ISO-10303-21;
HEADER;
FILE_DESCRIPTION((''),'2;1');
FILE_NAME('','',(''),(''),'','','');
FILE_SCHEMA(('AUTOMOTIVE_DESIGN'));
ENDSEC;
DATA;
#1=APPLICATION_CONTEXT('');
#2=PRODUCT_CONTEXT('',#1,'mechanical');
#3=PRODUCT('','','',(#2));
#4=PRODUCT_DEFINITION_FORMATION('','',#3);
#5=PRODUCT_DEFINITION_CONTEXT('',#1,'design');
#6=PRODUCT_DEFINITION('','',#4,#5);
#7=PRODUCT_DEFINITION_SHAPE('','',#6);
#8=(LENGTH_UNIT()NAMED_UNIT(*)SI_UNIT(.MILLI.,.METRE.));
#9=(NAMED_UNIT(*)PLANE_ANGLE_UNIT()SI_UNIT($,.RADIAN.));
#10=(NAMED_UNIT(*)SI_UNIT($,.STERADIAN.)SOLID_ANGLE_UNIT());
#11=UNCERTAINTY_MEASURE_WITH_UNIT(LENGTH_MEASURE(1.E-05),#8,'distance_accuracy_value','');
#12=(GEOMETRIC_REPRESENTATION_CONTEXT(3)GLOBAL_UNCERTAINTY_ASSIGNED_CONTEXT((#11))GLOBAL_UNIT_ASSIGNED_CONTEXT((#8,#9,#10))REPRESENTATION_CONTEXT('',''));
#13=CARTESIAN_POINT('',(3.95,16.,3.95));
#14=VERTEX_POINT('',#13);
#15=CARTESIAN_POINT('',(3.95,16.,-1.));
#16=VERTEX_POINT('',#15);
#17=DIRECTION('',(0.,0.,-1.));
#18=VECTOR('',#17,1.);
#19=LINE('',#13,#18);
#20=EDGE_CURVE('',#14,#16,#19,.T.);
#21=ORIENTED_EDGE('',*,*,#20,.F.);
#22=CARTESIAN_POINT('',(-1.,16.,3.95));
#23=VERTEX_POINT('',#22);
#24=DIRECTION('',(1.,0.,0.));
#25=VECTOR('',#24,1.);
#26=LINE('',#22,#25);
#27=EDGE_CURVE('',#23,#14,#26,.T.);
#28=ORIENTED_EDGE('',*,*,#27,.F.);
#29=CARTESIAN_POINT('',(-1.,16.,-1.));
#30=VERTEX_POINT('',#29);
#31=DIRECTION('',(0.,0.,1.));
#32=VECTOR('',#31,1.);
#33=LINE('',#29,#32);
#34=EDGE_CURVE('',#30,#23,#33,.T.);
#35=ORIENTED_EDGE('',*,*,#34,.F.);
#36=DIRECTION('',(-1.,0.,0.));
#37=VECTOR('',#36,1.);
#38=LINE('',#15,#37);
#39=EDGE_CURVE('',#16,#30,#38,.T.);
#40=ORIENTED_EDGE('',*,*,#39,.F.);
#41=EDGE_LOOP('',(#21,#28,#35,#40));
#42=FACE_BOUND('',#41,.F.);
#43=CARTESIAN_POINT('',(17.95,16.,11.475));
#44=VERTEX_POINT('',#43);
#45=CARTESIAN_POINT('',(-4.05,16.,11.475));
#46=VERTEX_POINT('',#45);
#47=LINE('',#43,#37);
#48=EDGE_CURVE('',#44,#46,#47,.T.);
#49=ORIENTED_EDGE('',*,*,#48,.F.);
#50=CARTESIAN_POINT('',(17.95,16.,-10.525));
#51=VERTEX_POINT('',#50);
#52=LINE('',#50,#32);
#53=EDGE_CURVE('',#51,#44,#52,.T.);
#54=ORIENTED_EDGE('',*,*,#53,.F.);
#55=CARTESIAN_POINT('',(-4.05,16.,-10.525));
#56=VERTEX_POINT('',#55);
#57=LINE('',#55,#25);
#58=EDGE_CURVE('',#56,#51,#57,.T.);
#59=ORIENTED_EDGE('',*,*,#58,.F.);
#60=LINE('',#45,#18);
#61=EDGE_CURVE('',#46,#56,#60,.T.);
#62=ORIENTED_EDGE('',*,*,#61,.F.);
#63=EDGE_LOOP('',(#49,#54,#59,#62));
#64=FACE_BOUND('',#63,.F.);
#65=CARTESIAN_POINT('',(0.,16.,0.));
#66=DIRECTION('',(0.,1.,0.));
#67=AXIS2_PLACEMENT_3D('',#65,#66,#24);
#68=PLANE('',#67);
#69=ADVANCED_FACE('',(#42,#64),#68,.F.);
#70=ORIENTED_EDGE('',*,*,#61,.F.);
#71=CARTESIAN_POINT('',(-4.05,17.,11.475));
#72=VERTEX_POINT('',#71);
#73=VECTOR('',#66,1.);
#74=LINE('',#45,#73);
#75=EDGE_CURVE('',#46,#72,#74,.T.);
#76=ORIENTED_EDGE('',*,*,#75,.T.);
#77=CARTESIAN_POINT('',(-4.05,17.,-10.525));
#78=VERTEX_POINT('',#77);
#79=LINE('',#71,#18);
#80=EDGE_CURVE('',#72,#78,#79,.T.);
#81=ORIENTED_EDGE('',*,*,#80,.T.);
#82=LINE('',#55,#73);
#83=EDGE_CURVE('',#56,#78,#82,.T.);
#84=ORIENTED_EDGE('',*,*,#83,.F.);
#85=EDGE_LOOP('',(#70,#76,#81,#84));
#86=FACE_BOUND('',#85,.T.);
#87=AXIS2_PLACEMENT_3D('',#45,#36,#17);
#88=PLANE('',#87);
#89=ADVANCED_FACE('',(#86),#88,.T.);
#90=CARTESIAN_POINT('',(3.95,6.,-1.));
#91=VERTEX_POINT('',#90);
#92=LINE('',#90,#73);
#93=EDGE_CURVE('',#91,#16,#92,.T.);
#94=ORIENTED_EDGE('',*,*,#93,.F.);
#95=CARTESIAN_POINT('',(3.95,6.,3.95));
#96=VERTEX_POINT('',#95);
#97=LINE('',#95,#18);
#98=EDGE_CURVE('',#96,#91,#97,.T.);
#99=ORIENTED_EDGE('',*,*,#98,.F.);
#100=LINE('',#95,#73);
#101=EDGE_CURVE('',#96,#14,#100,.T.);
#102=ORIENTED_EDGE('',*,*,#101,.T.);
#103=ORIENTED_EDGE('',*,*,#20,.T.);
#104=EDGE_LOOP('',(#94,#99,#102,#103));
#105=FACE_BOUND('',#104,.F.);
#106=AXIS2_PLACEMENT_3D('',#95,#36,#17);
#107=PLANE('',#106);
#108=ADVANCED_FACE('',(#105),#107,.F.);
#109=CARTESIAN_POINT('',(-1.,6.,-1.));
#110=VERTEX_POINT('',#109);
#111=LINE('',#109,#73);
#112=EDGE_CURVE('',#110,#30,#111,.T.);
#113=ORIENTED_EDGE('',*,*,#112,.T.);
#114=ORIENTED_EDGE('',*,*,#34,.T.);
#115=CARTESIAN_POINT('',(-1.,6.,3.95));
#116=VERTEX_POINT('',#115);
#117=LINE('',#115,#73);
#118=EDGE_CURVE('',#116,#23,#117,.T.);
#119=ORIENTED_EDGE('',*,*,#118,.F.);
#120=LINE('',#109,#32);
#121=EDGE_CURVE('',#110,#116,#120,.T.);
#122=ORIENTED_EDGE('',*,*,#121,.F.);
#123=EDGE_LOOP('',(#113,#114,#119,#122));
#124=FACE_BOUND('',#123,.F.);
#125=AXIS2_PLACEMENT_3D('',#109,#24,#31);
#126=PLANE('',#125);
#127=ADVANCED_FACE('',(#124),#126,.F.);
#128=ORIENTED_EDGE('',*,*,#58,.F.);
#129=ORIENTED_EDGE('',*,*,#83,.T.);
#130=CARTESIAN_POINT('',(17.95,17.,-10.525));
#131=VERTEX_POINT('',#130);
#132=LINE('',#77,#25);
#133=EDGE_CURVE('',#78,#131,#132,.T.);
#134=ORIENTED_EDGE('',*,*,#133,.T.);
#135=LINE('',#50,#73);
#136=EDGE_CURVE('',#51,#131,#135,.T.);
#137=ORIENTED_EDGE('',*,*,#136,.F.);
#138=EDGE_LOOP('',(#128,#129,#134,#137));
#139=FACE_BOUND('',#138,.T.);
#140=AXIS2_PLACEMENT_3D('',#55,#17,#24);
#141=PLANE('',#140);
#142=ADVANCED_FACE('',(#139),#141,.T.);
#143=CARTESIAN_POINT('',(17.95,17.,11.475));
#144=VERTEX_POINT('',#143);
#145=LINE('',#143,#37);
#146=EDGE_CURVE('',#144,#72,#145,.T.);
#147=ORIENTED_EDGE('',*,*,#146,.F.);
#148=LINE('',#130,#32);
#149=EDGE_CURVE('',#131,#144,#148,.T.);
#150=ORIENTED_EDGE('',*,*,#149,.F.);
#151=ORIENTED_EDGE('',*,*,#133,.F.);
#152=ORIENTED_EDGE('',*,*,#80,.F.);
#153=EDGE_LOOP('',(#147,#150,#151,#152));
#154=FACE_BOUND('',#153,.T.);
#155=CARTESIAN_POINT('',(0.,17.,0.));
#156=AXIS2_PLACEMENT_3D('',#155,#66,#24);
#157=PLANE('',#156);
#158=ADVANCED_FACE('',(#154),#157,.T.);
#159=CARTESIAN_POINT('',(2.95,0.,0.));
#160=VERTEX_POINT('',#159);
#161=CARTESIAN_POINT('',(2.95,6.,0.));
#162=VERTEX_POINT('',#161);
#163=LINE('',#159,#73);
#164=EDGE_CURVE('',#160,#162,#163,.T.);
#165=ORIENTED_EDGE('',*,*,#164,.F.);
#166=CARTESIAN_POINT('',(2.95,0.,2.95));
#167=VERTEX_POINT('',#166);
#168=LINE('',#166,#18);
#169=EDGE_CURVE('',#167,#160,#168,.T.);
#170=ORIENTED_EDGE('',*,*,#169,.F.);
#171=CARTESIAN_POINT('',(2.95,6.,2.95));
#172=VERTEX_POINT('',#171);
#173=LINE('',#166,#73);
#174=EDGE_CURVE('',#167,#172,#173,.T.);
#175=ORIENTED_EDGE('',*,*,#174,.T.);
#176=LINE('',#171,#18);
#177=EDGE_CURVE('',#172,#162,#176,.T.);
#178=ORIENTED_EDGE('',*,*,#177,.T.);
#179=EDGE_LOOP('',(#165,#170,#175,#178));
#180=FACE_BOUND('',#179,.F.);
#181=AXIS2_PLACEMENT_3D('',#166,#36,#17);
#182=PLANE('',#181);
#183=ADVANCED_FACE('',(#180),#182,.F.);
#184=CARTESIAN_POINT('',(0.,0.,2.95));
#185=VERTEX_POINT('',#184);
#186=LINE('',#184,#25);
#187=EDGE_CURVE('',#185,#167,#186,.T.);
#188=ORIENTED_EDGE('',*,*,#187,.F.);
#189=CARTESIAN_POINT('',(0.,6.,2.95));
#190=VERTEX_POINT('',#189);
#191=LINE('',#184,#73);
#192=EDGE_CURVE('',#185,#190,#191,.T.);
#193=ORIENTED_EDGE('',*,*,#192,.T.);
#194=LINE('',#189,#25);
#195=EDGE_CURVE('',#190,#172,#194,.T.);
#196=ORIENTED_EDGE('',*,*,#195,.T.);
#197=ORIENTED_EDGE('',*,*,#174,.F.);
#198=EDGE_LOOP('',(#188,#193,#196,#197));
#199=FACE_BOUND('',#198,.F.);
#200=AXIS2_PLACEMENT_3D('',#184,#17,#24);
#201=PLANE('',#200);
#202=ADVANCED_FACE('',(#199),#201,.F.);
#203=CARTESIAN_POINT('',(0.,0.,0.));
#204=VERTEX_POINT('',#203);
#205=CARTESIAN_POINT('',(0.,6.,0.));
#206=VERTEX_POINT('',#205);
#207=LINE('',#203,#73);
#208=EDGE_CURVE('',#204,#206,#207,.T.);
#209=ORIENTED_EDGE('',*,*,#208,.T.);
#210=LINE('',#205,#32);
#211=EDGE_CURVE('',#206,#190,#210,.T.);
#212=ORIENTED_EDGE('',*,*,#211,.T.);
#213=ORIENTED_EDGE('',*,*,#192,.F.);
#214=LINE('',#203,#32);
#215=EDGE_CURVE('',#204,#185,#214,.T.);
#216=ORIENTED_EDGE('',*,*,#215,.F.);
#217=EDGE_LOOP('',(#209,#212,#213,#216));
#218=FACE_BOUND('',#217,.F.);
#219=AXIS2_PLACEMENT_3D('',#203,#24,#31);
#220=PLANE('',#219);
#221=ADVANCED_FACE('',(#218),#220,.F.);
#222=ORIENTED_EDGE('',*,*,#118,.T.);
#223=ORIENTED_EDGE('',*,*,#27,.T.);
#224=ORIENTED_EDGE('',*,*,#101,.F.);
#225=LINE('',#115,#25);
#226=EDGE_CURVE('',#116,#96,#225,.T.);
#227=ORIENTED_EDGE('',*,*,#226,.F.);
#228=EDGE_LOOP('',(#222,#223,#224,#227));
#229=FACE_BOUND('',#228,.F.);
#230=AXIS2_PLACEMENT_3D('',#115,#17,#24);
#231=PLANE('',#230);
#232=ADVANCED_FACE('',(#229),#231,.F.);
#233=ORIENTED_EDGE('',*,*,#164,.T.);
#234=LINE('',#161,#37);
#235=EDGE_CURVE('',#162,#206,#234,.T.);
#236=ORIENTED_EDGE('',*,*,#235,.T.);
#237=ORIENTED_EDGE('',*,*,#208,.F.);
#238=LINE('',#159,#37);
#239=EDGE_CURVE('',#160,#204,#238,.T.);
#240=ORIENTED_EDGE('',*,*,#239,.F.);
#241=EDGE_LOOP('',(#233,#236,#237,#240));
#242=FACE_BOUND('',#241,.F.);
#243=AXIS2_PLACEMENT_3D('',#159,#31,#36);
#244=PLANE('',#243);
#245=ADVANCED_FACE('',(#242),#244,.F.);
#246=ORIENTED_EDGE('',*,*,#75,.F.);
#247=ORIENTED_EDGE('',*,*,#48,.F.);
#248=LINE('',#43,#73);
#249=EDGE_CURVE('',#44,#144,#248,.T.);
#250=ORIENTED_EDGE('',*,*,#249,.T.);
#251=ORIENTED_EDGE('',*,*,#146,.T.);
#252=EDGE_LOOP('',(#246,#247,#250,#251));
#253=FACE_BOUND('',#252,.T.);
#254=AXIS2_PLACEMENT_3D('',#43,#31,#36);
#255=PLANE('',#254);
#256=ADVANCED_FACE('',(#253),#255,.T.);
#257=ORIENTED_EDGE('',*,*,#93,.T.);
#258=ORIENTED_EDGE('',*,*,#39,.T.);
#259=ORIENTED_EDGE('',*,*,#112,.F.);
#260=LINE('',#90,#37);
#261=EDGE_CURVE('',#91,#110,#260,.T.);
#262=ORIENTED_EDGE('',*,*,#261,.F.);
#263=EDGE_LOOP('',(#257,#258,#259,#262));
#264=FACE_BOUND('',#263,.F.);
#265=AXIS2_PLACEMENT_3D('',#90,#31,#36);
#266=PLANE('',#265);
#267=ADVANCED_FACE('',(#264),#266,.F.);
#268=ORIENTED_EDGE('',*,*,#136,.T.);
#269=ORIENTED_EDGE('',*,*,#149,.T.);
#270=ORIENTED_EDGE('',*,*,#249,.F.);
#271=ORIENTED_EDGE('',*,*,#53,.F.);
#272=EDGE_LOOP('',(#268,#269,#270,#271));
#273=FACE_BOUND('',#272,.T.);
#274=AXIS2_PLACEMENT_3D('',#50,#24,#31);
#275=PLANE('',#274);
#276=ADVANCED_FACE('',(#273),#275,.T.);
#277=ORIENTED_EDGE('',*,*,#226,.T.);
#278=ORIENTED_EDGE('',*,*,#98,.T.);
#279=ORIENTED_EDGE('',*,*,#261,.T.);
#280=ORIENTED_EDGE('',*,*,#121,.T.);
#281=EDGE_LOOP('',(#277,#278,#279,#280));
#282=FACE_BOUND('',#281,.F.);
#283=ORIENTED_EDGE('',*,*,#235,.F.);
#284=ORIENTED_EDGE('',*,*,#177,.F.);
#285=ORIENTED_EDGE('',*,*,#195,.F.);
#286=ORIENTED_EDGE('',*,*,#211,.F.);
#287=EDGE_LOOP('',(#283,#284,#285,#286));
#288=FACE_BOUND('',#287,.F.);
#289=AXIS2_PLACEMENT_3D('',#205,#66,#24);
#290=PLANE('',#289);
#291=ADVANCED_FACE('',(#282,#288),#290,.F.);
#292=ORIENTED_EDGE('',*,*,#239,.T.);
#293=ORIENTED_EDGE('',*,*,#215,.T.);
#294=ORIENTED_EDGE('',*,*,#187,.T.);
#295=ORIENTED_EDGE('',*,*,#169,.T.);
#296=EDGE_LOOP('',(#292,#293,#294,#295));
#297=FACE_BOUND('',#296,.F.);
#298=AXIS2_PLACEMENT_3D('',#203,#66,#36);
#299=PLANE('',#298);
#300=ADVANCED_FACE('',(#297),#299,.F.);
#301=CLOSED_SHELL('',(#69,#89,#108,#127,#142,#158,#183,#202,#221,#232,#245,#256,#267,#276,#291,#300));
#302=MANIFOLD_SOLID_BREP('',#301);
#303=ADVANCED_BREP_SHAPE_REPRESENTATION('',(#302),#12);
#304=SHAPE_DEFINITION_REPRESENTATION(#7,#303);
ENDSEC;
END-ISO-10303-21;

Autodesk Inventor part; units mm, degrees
ref_plane "YZ Plane" through (0, 0, 0) normal (1, 0, 0) x (0, 1, 0)
ref_plane "XZ Plane" through (0, 0, 0) normal (0, 1, 0) x (-1, 0, 0)
ref_plane "XY Plane" through (0, 0, 0) normal (0, 0, 1) x (1, 0, 0)
sketch "Náčrt1" plane through (0, 0, 0) normal (0, 1, 0) x (-1, 0, 0)
  line L0 (0, 2.95) -> (-2.95, 2.95)
  line L1 (-2.95, 2.95) -> (-2.95, 0)
  line L2 (-2.95, 0) -> (0, 0)
  line L3 (0, 0) -> (0, 2.95)
  dimension "d0" = 2.95
  dimension "d1" = 2.95
extrude "Vysunutí1" add sketch "Náčrt1" along normal blind 6
sketch "Náčrt2" plane through (0, 6, 0) normal (0, 1, 0) x (1, 0, 0)
  line L0 (-1, -3.95) -> (3.95, -3.95)
  line L1 (3.95, -3.95) -> (3.95, 1)
  line L2 (3.95, 1) -> (-1, 1)
  line L3 (-1, 1) -> (-1, -3.95)
  line L4 (0, 0) -> (0, -2.95) projected
  line L5 (0, -2.95) -> (2.95, -2.95) projected
  line L6 (2.95, -2.95) -> (2.95, 0) projected
  line L7 (2.95, 0) -> (0, 0) projected
  dimension "d4" = 1
  dimension "d5" = 1
  dimension "d6" = 1
  dimension "d7" = 1
extrude "Vysunutí2" add sketch "Náčrt2" along normal blind 10 contours L3 L2 L1 L0 | L7 L6 L5 L4
sketch "Náčrt3" plane through (0, 16, 0) normal (0, 1, 0) x (1, 0, 0)
  line L0 (-4.05, 10.525) -> (17.95, 10.525)
  line L1 (17.95, 10.525) -> (17.95, -11.475)
  line L2 (17.95, -11.475) -> (-4.05, -11.475)
  line L3 (-4.05, -11.475) -> (-4.05, 10.525)
  line L4 (3.95, -3.95) -> (3.95, 1) projected
  line L5 (-1, -3.95) -> (3.95, -3.95) projected
  line L6 (3.95, 1) -> (-1, 1) projected
  line L7 (-1, 1) -> (-1, -3.95) projected
  point P0 (0, 0)
  dimension "d10" = 14
  dimension "d11" = 22
  dimension "d12" = 22
  dimension "d13" = 9.525
  dimension "d14" = 7.525
  dimension "d17" = 3.05
extrude "Vysunutí3" add sketch "Náčrt3" along normal blind 1 contours L0 L1 L2 L3 | L5 L7 L6 L4
equation "\"d1\" = d0"
equation "\"d5\" = d4"
equation "\"d6\" = d4"
equation "\"d7\" = d4"
equation "\"d12\" = d11"
properties part number "QRholderSpecial-top"
